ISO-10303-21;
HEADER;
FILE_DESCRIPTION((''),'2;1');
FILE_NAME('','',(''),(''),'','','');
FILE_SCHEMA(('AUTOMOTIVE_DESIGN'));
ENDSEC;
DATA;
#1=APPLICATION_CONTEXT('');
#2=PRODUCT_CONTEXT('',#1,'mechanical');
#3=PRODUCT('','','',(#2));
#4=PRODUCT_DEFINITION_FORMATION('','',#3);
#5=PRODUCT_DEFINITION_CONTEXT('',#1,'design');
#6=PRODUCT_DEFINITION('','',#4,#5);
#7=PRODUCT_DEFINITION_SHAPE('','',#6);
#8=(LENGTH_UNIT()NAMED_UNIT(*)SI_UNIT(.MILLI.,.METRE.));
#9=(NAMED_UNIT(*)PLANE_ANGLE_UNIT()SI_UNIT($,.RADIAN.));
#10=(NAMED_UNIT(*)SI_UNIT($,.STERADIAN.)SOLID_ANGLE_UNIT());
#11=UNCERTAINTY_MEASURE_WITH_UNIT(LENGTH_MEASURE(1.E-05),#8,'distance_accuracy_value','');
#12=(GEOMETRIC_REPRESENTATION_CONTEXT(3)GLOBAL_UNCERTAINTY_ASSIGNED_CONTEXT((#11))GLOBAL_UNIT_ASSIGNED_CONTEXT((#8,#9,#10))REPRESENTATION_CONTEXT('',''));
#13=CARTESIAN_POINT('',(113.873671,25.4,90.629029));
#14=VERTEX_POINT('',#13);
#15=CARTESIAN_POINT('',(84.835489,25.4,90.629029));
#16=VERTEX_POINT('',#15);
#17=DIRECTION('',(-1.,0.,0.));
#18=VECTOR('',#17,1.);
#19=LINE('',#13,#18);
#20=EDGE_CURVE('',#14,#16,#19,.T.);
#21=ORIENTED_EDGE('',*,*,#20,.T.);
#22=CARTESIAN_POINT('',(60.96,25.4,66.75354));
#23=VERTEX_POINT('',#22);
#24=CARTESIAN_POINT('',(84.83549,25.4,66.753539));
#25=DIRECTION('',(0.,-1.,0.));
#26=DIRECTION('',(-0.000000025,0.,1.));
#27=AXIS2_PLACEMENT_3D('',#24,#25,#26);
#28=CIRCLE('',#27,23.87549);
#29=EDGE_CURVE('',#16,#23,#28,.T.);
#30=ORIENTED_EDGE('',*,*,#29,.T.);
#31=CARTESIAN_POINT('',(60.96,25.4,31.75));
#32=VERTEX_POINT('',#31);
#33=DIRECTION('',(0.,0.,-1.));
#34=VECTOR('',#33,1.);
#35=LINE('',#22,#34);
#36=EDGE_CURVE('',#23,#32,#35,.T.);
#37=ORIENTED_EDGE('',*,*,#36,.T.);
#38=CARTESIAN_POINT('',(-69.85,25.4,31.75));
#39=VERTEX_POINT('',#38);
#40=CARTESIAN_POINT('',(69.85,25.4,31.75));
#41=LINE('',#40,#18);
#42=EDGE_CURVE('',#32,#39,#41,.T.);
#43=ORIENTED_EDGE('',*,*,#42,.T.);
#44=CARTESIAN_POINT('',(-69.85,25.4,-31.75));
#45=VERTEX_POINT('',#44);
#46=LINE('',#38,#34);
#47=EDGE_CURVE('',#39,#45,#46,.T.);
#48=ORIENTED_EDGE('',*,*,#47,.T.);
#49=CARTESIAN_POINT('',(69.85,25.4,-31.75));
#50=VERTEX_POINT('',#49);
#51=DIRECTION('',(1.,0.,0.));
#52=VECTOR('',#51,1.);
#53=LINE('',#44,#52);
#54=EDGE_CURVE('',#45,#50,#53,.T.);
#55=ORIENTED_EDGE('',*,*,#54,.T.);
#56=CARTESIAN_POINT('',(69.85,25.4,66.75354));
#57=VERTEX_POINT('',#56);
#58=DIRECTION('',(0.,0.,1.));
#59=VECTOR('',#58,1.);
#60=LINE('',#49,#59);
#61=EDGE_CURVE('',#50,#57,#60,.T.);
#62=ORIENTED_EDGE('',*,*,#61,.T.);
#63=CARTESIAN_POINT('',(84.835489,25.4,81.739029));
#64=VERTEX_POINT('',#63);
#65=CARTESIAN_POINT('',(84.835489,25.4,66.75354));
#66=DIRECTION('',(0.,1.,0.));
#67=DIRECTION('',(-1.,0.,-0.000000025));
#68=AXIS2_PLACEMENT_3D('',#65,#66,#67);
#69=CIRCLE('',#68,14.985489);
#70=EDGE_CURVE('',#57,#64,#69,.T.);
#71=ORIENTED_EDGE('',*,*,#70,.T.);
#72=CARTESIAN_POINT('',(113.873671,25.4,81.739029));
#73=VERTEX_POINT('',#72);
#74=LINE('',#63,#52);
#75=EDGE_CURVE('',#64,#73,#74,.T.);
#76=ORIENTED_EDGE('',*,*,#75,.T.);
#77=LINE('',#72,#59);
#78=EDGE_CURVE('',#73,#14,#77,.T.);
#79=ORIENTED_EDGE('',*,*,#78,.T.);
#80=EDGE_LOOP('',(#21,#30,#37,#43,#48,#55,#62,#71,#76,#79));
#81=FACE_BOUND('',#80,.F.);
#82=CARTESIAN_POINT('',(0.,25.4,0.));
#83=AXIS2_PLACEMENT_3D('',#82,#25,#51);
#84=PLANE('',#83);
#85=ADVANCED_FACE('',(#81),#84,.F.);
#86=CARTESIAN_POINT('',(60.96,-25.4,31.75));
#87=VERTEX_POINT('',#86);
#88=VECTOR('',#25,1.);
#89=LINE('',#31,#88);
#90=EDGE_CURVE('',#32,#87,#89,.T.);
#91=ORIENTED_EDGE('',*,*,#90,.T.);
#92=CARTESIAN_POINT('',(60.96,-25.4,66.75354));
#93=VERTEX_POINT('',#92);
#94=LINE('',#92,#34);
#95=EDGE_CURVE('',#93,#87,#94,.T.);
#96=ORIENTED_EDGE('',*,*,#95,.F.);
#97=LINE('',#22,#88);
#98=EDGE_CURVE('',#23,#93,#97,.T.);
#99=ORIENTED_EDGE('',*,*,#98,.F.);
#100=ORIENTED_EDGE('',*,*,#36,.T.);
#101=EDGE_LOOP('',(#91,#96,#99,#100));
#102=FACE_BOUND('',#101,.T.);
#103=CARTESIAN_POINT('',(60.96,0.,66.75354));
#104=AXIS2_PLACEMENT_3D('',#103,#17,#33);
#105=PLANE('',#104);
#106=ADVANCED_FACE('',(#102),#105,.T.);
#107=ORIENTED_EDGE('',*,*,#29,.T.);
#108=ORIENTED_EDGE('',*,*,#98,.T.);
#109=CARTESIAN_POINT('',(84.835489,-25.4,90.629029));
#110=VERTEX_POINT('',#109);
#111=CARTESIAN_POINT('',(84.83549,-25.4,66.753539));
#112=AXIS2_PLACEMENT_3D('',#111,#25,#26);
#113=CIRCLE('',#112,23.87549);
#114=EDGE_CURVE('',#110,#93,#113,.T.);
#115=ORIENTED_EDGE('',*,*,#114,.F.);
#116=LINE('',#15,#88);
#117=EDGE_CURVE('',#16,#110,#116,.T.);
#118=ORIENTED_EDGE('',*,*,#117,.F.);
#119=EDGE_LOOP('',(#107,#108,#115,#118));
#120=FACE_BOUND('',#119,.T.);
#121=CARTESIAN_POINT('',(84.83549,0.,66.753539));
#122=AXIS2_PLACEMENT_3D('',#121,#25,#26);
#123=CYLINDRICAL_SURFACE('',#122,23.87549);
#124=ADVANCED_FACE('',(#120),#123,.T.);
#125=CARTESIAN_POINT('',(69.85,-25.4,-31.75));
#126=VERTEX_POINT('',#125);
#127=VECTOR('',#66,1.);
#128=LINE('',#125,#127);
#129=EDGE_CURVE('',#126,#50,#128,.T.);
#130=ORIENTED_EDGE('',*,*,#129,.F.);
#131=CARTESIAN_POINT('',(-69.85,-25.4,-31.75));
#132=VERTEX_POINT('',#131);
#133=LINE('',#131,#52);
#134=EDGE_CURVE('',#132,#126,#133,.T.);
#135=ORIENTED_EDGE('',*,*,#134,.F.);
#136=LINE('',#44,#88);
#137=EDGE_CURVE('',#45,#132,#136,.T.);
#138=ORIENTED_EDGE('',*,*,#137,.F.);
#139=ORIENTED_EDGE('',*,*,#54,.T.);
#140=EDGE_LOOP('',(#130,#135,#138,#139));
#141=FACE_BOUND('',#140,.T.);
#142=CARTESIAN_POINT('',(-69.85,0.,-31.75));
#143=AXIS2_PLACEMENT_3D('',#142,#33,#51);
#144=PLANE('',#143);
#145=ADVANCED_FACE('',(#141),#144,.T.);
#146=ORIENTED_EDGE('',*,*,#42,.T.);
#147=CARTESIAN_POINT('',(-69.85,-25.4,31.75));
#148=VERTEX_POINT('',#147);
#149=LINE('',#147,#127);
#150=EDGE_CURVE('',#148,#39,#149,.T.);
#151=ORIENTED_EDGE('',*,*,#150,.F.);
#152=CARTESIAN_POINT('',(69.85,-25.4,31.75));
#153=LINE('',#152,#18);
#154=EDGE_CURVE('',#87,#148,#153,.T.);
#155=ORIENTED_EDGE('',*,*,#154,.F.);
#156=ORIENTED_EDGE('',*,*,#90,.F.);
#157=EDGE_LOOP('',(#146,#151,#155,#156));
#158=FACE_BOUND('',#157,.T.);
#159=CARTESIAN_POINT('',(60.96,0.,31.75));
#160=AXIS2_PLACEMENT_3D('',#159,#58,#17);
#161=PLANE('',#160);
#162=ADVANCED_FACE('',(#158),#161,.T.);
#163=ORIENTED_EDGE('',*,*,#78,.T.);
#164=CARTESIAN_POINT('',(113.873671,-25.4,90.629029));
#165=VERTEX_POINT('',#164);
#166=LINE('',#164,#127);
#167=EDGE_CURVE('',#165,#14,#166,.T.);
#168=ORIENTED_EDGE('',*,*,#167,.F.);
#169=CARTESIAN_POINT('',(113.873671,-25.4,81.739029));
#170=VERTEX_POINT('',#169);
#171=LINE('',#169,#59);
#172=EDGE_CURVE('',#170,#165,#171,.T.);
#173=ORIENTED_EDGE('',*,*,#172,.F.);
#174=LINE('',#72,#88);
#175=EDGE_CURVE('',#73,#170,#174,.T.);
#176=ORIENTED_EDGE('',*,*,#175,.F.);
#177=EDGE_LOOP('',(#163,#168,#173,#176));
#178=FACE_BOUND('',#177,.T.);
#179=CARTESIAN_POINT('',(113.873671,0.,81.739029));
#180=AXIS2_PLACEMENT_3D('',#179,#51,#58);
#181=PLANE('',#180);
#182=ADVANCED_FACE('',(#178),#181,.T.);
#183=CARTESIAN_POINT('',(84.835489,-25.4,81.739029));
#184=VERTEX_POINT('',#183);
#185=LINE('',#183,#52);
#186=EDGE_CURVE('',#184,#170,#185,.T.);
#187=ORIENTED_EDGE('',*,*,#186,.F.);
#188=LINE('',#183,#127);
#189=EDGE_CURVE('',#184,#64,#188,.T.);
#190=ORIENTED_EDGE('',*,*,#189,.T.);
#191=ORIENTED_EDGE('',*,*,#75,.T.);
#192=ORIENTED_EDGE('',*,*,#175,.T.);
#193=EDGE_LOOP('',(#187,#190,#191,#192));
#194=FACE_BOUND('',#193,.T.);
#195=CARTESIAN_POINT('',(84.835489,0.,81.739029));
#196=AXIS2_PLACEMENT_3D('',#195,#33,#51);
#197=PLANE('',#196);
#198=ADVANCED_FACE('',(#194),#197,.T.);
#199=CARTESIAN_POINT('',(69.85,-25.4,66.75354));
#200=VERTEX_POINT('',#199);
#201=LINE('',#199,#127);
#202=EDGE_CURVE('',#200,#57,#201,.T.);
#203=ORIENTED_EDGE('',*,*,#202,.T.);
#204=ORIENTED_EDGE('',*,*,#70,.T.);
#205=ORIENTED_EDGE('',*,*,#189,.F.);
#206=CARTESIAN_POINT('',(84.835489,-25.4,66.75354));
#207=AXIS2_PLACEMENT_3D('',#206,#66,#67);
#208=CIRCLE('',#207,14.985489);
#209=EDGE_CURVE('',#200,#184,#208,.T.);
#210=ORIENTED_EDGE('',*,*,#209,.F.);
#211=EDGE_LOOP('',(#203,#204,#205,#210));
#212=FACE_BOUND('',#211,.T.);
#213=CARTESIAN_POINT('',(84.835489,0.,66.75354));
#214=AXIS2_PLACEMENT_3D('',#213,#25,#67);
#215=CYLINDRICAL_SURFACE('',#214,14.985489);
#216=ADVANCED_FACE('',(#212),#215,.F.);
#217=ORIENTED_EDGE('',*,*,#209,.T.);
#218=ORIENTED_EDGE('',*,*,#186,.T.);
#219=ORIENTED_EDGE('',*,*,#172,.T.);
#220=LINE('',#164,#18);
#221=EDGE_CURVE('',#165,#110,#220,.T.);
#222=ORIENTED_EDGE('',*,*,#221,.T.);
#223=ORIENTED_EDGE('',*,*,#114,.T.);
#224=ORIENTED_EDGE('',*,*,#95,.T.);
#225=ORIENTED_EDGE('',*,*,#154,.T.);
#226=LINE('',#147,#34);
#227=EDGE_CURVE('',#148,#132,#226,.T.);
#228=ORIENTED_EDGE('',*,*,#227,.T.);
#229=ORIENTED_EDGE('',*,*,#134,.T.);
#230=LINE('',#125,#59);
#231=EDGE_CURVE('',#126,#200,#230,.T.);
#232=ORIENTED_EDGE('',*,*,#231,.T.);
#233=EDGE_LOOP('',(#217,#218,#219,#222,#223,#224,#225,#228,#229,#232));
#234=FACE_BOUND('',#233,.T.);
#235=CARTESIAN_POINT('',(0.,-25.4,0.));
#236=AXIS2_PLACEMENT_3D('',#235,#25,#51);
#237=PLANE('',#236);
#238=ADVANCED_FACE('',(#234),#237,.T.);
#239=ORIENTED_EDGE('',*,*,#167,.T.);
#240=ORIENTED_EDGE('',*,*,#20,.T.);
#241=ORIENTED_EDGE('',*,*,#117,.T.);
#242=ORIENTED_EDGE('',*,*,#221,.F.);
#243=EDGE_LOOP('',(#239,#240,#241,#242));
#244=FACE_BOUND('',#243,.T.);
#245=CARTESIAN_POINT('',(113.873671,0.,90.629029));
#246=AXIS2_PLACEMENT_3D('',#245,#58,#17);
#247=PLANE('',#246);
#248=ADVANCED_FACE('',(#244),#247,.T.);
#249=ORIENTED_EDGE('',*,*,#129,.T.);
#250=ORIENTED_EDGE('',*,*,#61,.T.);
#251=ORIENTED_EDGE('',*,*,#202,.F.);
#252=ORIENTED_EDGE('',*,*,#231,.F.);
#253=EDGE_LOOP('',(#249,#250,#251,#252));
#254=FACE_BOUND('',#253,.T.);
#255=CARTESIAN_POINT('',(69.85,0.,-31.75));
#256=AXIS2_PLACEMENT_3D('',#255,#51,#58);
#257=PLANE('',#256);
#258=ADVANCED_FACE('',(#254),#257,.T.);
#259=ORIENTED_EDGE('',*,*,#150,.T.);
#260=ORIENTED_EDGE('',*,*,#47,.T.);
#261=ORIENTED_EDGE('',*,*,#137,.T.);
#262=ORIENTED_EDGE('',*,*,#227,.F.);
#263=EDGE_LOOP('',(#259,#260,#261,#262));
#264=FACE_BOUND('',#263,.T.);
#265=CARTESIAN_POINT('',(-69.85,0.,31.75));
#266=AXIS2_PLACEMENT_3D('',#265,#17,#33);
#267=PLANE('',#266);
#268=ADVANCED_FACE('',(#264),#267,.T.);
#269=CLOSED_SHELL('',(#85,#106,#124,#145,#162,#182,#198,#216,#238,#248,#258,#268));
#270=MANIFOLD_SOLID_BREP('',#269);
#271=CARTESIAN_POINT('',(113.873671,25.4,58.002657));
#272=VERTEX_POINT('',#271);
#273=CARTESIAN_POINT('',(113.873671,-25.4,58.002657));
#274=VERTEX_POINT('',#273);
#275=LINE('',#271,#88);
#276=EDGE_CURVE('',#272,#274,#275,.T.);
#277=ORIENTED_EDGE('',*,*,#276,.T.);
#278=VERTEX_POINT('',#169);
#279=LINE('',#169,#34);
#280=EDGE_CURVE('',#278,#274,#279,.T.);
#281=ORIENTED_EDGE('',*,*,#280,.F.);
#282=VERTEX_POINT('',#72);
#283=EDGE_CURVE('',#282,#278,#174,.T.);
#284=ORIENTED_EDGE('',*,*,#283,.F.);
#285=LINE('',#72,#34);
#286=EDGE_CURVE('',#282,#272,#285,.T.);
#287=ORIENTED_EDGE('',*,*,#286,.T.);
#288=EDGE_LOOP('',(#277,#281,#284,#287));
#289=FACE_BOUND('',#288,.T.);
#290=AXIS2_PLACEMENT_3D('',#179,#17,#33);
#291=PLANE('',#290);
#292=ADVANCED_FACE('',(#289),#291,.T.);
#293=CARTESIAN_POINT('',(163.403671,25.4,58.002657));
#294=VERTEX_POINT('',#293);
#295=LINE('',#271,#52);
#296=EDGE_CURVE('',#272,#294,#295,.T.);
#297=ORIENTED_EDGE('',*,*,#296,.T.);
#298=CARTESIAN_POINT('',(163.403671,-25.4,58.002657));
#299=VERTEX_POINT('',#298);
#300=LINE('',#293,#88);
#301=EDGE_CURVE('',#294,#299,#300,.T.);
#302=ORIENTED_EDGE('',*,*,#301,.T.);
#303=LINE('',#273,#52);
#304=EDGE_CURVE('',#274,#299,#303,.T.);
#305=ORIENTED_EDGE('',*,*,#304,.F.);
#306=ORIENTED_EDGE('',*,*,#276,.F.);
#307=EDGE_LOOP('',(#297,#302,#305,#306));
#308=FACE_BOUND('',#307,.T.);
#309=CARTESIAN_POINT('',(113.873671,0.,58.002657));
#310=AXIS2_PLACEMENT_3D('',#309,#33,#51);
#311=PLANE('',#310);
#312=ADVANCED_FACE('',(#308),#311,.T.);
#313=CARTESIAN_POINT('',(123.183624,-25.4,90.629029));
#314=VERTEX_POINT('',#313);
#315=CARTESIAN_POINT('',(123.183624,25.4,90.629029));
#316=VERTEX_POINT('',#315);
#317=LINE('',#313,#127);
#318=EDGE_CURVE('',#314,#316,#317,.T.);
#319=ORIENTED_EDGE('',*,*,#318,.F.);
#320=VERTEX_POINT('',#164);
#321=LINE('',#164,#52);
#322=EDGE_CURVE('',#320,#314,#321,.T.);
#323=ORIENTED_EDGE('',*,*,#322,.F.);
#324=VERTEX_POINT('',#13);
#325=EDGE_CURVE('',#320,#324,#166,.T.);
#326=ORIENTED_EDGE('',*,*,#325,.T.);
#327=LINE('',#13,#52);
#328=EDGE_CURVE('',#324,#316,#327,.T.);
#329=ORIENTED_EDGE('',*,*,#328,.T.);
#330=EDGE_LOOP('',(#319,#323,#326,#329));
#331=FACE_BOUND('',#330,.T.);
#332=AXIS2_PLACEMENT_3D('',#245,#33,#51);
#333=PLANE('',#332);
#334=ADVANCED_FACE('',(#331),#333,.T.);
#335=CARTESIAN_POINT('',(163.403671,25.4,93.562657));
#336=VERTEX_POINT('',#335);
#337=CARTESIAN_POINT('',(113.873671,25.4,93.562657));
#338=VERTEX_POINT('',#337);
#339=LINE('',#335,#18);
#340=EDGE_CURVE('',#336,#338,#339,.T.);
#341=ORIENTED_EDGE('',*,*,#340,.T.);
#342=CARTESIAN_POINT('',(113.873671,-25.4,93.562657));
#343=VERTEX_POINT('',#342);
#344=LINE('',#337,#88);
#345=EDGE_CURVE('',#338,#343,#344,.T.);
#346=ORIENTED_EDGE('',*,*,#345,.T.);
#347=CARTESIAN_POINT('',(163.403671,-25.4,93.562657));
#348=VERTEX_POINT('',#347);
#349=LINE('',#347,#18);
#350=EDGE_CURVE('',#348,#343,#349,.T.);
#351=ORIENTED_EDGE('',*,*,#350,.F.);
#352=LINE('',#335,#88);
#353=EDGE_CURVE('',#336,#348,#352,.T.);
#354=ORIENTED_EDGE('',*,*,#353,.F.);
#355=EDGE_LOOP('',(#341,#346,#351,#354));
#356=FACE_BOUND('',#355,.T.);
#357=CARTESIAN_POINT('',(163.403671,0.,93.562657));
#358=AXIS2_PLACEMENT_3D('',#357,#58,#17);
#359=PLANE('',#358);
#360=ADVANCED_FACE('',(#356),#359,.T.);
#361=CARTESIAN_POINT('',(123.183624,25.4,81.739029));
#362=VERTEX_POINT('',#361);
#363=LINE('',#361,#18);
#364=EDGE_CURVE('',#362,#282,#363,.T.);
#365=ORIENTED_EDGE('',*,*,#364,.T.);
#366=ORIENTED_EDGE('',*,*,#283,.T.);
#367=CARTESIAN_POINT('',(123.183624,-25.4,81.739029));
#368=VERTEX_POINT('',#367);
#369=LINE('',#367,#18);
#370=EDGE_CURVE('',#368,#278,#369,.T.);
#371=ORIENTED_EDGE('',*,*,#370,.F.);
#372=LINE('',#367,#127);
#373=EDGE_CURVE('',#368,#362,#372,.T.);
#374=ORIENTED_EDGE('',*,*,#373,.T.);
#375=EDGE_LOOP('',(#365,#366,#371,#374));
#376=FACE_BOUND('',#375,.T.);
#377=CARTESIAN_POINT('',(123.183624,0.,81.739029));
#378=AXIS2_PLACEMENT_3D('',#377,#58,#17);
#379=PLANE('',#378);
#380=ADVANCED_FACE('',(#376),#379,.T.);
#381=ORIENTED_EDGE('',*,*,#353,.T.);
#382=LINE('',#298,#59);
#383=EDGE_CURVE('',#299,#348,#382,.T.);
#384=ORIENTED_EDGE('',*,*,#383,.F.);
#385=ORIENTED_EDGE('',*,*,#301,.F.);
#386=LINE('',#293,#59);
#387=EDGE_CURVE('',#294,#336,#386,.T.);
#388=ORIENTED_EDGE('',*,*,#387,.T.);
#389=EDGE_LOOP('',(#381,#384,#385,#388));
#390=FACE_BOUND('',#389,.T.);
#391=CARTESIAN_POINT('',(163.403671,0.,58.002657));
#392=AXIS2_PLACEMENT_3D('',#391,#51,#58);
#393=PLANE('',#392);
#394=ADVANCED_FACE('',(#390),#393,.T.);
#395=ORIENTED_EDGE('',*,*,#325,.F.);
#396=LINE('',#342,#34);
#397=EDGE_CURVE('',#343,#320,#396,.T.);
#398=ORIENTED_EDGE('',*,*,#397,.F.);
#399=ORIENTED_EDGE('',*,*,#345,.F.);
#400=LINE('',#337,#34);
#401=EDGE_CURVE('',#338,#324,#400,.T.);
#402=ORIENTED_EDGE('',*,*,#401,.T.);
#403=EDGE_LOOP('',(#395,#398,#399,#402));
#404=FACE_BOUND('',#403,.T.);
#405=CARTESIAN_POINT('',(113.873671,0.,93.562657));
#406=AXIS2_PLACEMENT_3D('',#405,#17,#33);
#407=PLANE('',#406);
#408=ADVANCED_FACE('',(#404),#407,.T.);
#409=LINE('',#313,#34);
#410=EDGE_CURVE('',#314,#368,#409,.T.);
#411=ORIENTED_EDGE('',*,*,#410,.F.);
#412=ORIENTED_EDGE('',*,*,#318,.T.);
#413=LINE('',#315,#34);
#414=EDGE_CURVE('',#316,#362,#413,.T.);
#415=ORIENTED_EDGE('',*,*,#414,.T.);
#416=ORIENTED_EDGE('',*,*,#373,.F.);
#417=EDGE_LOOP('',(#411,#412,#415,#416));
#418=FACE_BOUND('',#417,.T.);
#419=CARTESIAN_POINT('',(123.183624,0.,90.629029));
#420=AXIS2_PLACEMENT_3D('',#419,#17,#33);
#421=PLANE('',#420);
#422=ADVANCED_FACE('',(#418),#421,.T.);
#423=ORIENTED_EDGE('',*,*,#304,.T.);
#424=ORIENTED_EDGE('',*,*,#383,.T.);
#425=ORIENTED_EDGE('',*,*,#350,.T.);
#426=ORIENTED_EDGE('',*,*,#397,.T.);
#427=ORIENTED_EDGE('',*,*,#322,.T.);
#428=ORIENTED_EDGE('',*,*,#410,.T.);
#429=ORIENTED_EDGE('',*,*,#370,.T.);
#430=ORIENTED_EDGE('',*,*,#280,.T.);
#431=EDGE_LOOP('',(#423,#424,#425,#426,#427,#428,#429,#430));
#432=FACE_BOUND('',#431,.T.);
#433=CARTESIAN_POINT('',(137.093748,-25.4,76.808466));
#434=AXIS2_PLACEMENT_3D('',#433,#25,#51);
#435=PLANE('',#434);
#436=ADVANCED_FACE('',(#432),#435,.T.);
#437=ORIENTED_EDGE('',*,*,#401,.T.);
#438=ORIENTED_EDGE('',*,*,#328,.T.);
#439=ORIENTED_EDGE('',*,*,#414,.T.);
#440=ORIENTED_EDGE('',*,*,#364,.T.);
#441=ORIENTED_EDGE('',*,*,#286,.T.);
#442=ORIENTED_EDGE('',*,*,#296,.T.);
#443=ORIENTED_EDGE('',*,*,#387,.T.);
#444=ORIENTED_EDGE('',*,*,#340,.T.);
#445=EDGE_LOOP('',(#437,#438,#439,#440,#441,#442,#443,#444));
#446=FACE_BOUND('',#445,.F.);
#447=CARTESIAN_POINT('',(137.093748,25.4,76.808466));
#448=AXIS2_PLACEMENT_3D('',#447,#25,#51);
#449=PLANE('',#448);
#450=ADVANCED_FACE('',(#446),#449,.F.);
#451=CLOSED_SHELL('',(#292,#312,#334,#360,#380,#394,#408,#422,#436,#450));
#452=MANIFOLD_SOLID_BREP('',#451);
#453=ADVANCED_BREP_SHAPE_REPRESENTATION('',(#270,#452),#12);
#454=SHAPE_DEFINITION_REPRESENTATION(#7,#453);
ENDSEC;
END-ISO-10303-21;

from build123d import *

# Parameters (mm, degrees)
F1_DEPTH = 25.4


with BuildPart() as f1:
    # F0 (on Front) → F1 (new body, symmetric)
    with BuildSketch(Plane.XZ):
        Polygon((-69.85, 31.75), (-69.85, -31.75), (69.85, -31.75), (69.85, 31.75), (60.96, 31.75), align=None)
        with BuildLine():
            Line((60.96, 31.75), (69.85, 31.75))
            Line((69.85, 31.75), (69.85, 66.75354))
            ThreePointArc((69.85, 66.75354), (74.239148, 77.349881), (84.835489, 81.739029))
            Line((84.835489, 81.739029), (113.873671, 81.739029))
            Line((113.873671, 81.739029), (113.873671, 90.629029))
            Line((113.873671, 90.629029), (84.835489, 90.629029))
            ThreePointArc((84.835489, 90.629029), (67.952969, 83.63606), (60.96, 66.75354))
            Line((60.96, 66.75354), (60.96, 31.75))
        make_face()
        Polygon((123.183624, 81.739029), (113.873671, 81.739029), (113.873671, 58.002657), (163.403671, 58.002657), (163.403671, 93.562657), (113.873671, 93.562657), (113.873671, 90.629029), (123.183624, 90.629029), align=None)
    extrude(amount=F1_DEPTH, both=True)


solid = f1.part
